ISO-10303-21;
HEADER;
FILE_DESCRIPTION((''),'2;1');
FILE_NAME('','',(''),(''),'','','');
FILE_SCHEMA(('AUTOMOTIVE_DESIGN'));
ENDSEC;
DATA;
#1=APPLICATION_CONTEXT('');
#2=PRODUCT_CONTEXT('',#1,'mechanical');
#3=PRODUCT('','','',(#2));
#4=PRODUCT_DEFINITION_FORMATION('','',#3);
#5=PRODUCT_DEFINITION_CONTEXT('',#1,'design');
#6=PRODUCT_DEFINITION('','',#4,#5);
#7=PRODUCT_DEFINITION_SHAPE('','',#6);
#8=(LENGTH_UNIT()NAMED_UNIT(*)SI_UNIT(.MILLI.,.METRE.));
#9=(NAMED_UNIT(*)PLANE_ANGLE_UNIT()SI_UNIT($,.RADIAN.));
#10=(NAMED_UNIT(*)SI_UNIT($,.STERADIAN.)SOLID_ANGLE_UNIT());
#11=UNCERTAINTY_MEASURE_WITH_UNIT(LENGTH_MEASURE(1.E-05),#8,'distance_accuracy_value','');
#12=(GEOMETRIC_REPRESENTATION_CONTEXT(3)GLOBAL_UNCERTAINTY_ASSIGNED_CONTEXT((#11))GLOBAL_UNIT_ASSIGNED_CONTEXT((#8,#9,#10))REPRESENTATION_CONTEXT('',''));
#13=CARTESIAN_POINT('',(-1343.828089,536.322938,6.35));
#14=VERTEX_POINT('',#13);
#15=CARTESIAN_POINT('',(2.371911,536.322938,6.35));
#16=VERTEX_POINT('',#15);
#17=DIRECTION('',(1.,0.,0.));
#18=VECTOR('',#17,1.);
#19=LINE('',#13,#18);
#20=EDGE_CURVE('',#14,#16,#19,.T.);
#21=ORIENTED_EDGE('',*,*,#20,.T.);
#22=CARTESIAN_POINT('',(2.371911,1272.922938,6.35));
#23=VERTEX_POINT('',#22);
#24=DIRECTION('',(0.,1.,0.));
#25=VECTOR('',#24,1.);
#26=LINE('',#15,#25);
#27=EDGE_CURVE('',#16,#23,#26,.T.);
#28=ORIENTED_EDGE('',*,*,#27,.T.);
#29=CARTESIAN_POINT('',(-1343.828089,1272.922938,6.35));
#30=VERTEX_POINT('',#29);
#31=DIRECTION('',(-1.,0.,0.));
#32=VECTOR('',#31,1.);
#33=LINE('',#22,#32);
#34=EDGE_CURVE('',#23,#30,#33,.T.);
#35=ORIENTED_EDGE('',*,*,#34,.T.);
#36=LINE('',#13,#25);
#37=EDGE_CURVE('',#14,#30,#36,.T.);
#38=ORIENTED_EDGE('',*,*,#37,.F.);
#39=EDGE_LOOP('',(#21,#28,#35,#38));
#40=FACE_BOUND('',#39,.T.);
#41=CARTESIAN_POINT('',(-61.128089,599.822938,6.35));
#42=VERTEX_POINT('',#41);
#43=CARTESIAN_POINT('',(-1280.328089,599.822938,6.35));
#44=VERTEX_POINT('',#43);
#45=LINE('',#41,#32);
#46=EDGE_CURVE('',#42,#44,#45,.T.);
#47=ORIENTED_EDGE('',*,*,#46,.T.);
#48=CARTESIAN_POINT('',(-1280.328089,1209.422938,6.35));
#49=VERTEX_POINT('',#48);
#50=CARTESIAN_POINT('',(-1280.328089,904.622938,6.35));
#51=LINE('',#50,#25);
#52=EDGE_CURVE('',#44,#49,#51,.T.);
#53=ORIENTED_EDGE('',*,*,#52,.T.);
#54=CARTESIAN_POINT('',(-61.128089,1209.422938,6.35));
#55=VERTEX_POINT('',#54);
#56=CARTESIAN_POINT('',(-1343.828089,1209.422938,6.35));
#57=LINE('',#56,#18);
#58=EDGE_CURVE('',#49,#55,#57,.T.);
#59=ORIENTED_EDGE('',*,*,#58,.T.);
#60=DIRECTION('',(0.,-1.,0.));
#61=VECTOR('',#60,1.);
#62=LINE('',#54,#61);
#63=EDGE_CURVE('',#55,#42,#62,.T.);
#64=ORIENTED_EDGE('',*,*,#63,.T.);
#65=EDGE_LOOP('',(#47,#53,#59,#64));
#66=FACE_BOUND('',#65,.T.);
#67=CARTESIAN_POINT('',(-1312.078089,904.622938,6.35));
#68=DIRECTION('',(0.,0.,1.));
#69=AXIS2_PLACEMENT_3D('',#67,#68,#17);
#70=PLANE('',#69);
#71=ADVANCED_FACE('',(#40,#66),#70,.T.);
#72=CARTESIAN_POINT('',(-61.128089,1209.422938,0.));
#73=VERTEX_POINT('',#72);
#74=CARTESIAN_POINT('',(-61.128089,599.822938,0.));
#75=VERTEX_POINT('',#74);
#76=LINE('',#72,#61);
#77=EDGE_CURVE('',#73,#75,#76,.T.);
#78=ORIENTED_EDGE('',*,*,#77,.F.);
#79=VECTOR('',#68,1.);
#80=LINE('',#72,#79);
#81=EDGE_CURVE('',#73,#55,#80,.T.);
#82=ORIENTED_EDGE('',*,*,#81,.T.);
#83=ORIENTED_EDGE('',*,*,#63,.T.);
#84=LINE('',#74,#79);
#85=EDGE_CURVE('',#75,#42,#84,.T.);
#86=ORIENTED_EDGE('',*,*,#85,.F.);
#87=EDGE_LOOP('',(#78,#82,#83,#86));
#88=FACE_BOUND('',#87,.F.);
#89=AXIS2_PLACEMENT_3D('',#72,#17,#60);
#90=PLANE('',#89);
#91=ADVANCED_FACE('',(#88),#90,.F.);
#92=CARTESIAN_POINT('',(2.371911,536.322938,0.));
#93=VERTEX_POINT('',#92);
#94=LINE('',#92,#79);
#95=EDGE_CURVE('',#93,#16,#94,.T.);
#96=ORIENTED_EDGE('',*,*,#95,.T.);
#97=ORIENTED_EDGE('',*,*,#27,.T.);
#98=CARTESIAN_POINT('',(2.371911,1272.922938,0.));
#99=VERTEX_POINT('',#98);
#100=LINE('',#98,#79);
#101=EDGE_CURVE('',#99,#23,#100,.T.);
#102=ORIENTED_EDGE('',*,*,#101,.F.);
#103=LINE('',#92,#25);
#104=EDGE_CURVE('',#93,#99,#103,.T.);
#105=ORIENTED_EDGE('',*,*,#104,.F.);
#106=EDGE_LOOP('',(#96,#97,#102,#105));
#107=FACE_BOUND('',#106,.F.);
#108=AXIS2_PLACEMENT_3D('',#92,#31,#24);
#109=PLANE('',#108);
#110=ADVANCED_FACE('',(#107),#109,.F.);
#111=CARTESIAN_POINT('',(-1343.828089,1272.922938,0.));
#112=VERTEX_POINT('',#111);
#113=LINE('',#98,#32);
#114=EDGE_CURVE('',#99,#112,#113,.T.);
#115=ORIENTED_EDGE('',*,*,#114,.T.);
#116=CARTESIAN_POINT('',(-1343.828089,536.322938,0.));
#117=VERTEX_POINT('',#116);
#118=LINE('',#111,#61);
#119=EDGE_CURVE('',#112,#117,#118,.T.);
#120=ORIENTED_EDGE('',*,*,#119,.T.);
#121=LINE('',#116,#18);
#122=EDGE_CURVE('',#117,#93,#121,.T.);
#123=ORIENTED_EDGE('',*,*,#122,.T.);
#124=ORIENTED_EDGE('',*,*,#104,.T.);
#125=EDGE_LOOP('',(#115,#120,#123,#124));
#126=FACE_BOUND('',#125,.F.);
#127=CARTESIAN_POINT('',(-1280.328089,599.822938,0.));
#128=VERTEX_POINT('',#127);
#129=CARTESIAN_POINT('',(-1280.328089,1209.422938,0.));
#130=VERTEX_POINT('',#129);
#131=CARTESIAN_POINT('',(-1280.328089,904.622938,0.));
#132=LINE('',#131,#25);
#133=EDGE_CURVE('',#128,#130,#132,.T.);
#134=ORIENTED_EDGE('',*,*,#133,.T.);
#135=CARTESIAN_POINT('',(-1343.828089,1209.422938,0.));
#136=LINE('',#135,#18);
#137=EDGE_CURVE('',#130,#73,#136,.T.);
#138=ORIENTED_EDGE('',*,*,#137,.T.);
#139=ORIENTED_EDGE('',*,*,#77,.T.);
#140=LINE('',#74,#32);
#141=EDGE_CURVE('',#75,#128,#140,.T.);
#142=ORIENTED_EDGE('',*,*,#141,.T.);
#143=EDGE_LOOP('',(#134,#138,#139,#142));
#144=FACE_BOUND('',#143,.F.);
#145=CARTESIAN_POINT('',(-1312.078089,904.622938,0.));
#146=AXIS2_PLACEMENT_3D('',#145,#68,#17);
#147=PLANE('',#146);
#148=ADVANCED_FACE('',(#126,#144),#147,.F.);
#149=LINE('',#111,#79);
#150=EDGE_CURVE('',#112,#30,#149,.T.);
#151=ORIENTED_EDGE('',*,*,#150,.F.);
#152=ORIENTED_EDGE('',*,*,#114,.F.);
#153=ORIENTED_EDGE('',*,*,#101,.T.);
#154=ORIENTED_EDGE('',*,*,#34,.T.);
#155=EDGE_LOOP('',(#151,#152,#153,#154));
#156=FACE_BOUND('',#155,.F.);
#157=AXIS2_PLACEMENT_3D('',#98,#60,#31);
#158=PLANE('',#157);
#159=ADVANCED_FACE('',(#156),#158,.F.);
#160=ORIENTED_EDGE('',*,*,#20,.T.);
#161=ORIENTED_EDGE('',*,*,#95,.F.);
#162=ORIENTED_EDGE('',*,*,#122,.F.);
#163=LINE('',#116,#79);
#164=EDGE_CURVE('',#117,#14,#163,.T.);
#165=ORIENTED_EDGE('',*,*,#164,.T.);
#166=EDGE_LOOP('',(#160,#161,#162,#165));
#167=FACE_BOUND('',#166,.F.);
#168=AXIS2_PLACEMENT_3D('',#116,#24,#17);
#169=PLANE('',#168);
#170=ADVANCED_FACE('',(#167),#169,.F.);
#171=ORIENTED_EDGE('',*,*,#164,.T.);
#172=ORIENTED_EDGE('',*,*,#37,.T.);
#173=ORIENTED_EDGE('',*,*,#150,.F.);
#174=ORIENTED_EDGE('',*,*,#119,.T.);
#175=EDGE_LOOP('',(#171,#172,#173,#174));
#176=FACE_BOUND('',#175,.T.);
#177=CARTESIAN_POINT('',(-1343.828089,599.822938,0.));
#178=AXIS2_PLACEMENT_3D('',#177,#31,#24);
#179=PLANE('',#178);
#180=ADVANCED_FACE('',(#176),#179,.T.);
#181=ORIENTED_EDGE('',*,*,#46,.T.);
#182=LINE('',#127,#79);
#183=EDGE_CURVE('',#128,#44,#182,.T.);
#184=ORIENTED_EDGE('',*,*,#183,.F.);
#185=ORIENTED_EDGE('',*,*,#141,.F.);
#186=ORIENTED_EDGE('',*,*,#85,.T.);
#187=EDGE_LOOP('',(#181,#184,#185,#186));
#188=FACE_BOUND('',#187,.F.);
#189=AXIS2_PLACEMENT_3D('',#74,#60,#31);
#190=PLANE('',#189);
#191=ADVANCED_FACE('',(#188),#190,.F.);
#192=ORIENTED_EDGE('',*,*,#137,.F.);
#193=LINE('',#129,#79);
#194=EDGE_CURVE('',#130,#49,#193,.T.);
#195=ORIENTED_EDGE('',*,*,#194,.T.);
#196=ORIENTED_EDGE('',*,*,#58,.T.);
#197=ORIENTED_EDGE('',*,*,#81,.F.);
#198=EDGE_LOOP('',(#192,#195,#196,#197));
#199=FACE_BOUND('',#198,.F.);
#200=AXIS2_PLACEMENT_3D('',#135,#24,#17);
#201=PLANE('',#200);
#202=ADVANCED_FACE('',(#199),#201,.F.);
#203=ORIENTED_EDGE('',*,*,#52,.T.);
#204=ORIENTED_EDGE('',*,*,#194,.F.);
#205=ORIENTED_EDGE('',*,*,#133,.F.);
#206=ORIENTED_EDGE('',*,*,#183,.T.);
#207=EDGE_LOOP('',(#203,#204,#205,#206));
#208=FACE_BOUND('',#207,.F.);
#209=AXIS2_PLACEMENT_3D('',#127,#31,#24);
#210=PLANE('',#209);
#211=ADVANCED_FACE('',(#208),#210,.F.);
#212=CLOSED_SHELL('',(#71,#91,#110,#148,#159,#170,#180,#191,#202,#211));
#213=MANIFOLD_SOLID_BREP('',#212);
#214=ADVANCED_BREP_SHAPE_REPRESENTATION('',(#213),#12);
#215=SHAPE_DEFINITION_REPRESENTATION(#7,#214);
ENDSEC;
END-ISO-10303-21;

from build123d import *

# Parameters (mm, degrees)
F0_W     = 63.5
F0_H     = 63.5
F0_W_2   = 1219.2
F1_DEPTH = 6.35
F0_H_2   = 609.6
F2_DEPTH = 6.35


with BuildPart() as f1:
    # F0 (on Top) → F1 (new body)
    with BuildSketch(Plane.XY):
        with Locations((-1312.078089, 1241.172938)):
            Rectangle(F0_W, F0_H)
        with Locations((-1312.078089, 568.072938)):
            Rectangle(F0_W, F0_H)
        with Locations((-670.728089, 1241.172938)):
            Rectangle(F0_W_2, F0_H)
        with Locations((-670.728089, 568.072938)):
            Rectangle(F0_W_2, F0_H)
        Polygon((-61.128089, 1272.922938), (-61.128089, 1209.422938), (-61.128089, 599.822938), (-61.128089, 536.322938), (2.371911, 536.322938), (2.371911, 1272.922938), align=None)
    extrude(amount=F1_DEPTH)

    # F0 (on Top) → F2 (join)
    with BuildSketch(Plane.XY):
        with Locations((-1312.078089, 904.622938)):
            Rectangle(F0_W, F0_H_2)
    extrude(amount=F2_DEPTH)


solid = f1.part
